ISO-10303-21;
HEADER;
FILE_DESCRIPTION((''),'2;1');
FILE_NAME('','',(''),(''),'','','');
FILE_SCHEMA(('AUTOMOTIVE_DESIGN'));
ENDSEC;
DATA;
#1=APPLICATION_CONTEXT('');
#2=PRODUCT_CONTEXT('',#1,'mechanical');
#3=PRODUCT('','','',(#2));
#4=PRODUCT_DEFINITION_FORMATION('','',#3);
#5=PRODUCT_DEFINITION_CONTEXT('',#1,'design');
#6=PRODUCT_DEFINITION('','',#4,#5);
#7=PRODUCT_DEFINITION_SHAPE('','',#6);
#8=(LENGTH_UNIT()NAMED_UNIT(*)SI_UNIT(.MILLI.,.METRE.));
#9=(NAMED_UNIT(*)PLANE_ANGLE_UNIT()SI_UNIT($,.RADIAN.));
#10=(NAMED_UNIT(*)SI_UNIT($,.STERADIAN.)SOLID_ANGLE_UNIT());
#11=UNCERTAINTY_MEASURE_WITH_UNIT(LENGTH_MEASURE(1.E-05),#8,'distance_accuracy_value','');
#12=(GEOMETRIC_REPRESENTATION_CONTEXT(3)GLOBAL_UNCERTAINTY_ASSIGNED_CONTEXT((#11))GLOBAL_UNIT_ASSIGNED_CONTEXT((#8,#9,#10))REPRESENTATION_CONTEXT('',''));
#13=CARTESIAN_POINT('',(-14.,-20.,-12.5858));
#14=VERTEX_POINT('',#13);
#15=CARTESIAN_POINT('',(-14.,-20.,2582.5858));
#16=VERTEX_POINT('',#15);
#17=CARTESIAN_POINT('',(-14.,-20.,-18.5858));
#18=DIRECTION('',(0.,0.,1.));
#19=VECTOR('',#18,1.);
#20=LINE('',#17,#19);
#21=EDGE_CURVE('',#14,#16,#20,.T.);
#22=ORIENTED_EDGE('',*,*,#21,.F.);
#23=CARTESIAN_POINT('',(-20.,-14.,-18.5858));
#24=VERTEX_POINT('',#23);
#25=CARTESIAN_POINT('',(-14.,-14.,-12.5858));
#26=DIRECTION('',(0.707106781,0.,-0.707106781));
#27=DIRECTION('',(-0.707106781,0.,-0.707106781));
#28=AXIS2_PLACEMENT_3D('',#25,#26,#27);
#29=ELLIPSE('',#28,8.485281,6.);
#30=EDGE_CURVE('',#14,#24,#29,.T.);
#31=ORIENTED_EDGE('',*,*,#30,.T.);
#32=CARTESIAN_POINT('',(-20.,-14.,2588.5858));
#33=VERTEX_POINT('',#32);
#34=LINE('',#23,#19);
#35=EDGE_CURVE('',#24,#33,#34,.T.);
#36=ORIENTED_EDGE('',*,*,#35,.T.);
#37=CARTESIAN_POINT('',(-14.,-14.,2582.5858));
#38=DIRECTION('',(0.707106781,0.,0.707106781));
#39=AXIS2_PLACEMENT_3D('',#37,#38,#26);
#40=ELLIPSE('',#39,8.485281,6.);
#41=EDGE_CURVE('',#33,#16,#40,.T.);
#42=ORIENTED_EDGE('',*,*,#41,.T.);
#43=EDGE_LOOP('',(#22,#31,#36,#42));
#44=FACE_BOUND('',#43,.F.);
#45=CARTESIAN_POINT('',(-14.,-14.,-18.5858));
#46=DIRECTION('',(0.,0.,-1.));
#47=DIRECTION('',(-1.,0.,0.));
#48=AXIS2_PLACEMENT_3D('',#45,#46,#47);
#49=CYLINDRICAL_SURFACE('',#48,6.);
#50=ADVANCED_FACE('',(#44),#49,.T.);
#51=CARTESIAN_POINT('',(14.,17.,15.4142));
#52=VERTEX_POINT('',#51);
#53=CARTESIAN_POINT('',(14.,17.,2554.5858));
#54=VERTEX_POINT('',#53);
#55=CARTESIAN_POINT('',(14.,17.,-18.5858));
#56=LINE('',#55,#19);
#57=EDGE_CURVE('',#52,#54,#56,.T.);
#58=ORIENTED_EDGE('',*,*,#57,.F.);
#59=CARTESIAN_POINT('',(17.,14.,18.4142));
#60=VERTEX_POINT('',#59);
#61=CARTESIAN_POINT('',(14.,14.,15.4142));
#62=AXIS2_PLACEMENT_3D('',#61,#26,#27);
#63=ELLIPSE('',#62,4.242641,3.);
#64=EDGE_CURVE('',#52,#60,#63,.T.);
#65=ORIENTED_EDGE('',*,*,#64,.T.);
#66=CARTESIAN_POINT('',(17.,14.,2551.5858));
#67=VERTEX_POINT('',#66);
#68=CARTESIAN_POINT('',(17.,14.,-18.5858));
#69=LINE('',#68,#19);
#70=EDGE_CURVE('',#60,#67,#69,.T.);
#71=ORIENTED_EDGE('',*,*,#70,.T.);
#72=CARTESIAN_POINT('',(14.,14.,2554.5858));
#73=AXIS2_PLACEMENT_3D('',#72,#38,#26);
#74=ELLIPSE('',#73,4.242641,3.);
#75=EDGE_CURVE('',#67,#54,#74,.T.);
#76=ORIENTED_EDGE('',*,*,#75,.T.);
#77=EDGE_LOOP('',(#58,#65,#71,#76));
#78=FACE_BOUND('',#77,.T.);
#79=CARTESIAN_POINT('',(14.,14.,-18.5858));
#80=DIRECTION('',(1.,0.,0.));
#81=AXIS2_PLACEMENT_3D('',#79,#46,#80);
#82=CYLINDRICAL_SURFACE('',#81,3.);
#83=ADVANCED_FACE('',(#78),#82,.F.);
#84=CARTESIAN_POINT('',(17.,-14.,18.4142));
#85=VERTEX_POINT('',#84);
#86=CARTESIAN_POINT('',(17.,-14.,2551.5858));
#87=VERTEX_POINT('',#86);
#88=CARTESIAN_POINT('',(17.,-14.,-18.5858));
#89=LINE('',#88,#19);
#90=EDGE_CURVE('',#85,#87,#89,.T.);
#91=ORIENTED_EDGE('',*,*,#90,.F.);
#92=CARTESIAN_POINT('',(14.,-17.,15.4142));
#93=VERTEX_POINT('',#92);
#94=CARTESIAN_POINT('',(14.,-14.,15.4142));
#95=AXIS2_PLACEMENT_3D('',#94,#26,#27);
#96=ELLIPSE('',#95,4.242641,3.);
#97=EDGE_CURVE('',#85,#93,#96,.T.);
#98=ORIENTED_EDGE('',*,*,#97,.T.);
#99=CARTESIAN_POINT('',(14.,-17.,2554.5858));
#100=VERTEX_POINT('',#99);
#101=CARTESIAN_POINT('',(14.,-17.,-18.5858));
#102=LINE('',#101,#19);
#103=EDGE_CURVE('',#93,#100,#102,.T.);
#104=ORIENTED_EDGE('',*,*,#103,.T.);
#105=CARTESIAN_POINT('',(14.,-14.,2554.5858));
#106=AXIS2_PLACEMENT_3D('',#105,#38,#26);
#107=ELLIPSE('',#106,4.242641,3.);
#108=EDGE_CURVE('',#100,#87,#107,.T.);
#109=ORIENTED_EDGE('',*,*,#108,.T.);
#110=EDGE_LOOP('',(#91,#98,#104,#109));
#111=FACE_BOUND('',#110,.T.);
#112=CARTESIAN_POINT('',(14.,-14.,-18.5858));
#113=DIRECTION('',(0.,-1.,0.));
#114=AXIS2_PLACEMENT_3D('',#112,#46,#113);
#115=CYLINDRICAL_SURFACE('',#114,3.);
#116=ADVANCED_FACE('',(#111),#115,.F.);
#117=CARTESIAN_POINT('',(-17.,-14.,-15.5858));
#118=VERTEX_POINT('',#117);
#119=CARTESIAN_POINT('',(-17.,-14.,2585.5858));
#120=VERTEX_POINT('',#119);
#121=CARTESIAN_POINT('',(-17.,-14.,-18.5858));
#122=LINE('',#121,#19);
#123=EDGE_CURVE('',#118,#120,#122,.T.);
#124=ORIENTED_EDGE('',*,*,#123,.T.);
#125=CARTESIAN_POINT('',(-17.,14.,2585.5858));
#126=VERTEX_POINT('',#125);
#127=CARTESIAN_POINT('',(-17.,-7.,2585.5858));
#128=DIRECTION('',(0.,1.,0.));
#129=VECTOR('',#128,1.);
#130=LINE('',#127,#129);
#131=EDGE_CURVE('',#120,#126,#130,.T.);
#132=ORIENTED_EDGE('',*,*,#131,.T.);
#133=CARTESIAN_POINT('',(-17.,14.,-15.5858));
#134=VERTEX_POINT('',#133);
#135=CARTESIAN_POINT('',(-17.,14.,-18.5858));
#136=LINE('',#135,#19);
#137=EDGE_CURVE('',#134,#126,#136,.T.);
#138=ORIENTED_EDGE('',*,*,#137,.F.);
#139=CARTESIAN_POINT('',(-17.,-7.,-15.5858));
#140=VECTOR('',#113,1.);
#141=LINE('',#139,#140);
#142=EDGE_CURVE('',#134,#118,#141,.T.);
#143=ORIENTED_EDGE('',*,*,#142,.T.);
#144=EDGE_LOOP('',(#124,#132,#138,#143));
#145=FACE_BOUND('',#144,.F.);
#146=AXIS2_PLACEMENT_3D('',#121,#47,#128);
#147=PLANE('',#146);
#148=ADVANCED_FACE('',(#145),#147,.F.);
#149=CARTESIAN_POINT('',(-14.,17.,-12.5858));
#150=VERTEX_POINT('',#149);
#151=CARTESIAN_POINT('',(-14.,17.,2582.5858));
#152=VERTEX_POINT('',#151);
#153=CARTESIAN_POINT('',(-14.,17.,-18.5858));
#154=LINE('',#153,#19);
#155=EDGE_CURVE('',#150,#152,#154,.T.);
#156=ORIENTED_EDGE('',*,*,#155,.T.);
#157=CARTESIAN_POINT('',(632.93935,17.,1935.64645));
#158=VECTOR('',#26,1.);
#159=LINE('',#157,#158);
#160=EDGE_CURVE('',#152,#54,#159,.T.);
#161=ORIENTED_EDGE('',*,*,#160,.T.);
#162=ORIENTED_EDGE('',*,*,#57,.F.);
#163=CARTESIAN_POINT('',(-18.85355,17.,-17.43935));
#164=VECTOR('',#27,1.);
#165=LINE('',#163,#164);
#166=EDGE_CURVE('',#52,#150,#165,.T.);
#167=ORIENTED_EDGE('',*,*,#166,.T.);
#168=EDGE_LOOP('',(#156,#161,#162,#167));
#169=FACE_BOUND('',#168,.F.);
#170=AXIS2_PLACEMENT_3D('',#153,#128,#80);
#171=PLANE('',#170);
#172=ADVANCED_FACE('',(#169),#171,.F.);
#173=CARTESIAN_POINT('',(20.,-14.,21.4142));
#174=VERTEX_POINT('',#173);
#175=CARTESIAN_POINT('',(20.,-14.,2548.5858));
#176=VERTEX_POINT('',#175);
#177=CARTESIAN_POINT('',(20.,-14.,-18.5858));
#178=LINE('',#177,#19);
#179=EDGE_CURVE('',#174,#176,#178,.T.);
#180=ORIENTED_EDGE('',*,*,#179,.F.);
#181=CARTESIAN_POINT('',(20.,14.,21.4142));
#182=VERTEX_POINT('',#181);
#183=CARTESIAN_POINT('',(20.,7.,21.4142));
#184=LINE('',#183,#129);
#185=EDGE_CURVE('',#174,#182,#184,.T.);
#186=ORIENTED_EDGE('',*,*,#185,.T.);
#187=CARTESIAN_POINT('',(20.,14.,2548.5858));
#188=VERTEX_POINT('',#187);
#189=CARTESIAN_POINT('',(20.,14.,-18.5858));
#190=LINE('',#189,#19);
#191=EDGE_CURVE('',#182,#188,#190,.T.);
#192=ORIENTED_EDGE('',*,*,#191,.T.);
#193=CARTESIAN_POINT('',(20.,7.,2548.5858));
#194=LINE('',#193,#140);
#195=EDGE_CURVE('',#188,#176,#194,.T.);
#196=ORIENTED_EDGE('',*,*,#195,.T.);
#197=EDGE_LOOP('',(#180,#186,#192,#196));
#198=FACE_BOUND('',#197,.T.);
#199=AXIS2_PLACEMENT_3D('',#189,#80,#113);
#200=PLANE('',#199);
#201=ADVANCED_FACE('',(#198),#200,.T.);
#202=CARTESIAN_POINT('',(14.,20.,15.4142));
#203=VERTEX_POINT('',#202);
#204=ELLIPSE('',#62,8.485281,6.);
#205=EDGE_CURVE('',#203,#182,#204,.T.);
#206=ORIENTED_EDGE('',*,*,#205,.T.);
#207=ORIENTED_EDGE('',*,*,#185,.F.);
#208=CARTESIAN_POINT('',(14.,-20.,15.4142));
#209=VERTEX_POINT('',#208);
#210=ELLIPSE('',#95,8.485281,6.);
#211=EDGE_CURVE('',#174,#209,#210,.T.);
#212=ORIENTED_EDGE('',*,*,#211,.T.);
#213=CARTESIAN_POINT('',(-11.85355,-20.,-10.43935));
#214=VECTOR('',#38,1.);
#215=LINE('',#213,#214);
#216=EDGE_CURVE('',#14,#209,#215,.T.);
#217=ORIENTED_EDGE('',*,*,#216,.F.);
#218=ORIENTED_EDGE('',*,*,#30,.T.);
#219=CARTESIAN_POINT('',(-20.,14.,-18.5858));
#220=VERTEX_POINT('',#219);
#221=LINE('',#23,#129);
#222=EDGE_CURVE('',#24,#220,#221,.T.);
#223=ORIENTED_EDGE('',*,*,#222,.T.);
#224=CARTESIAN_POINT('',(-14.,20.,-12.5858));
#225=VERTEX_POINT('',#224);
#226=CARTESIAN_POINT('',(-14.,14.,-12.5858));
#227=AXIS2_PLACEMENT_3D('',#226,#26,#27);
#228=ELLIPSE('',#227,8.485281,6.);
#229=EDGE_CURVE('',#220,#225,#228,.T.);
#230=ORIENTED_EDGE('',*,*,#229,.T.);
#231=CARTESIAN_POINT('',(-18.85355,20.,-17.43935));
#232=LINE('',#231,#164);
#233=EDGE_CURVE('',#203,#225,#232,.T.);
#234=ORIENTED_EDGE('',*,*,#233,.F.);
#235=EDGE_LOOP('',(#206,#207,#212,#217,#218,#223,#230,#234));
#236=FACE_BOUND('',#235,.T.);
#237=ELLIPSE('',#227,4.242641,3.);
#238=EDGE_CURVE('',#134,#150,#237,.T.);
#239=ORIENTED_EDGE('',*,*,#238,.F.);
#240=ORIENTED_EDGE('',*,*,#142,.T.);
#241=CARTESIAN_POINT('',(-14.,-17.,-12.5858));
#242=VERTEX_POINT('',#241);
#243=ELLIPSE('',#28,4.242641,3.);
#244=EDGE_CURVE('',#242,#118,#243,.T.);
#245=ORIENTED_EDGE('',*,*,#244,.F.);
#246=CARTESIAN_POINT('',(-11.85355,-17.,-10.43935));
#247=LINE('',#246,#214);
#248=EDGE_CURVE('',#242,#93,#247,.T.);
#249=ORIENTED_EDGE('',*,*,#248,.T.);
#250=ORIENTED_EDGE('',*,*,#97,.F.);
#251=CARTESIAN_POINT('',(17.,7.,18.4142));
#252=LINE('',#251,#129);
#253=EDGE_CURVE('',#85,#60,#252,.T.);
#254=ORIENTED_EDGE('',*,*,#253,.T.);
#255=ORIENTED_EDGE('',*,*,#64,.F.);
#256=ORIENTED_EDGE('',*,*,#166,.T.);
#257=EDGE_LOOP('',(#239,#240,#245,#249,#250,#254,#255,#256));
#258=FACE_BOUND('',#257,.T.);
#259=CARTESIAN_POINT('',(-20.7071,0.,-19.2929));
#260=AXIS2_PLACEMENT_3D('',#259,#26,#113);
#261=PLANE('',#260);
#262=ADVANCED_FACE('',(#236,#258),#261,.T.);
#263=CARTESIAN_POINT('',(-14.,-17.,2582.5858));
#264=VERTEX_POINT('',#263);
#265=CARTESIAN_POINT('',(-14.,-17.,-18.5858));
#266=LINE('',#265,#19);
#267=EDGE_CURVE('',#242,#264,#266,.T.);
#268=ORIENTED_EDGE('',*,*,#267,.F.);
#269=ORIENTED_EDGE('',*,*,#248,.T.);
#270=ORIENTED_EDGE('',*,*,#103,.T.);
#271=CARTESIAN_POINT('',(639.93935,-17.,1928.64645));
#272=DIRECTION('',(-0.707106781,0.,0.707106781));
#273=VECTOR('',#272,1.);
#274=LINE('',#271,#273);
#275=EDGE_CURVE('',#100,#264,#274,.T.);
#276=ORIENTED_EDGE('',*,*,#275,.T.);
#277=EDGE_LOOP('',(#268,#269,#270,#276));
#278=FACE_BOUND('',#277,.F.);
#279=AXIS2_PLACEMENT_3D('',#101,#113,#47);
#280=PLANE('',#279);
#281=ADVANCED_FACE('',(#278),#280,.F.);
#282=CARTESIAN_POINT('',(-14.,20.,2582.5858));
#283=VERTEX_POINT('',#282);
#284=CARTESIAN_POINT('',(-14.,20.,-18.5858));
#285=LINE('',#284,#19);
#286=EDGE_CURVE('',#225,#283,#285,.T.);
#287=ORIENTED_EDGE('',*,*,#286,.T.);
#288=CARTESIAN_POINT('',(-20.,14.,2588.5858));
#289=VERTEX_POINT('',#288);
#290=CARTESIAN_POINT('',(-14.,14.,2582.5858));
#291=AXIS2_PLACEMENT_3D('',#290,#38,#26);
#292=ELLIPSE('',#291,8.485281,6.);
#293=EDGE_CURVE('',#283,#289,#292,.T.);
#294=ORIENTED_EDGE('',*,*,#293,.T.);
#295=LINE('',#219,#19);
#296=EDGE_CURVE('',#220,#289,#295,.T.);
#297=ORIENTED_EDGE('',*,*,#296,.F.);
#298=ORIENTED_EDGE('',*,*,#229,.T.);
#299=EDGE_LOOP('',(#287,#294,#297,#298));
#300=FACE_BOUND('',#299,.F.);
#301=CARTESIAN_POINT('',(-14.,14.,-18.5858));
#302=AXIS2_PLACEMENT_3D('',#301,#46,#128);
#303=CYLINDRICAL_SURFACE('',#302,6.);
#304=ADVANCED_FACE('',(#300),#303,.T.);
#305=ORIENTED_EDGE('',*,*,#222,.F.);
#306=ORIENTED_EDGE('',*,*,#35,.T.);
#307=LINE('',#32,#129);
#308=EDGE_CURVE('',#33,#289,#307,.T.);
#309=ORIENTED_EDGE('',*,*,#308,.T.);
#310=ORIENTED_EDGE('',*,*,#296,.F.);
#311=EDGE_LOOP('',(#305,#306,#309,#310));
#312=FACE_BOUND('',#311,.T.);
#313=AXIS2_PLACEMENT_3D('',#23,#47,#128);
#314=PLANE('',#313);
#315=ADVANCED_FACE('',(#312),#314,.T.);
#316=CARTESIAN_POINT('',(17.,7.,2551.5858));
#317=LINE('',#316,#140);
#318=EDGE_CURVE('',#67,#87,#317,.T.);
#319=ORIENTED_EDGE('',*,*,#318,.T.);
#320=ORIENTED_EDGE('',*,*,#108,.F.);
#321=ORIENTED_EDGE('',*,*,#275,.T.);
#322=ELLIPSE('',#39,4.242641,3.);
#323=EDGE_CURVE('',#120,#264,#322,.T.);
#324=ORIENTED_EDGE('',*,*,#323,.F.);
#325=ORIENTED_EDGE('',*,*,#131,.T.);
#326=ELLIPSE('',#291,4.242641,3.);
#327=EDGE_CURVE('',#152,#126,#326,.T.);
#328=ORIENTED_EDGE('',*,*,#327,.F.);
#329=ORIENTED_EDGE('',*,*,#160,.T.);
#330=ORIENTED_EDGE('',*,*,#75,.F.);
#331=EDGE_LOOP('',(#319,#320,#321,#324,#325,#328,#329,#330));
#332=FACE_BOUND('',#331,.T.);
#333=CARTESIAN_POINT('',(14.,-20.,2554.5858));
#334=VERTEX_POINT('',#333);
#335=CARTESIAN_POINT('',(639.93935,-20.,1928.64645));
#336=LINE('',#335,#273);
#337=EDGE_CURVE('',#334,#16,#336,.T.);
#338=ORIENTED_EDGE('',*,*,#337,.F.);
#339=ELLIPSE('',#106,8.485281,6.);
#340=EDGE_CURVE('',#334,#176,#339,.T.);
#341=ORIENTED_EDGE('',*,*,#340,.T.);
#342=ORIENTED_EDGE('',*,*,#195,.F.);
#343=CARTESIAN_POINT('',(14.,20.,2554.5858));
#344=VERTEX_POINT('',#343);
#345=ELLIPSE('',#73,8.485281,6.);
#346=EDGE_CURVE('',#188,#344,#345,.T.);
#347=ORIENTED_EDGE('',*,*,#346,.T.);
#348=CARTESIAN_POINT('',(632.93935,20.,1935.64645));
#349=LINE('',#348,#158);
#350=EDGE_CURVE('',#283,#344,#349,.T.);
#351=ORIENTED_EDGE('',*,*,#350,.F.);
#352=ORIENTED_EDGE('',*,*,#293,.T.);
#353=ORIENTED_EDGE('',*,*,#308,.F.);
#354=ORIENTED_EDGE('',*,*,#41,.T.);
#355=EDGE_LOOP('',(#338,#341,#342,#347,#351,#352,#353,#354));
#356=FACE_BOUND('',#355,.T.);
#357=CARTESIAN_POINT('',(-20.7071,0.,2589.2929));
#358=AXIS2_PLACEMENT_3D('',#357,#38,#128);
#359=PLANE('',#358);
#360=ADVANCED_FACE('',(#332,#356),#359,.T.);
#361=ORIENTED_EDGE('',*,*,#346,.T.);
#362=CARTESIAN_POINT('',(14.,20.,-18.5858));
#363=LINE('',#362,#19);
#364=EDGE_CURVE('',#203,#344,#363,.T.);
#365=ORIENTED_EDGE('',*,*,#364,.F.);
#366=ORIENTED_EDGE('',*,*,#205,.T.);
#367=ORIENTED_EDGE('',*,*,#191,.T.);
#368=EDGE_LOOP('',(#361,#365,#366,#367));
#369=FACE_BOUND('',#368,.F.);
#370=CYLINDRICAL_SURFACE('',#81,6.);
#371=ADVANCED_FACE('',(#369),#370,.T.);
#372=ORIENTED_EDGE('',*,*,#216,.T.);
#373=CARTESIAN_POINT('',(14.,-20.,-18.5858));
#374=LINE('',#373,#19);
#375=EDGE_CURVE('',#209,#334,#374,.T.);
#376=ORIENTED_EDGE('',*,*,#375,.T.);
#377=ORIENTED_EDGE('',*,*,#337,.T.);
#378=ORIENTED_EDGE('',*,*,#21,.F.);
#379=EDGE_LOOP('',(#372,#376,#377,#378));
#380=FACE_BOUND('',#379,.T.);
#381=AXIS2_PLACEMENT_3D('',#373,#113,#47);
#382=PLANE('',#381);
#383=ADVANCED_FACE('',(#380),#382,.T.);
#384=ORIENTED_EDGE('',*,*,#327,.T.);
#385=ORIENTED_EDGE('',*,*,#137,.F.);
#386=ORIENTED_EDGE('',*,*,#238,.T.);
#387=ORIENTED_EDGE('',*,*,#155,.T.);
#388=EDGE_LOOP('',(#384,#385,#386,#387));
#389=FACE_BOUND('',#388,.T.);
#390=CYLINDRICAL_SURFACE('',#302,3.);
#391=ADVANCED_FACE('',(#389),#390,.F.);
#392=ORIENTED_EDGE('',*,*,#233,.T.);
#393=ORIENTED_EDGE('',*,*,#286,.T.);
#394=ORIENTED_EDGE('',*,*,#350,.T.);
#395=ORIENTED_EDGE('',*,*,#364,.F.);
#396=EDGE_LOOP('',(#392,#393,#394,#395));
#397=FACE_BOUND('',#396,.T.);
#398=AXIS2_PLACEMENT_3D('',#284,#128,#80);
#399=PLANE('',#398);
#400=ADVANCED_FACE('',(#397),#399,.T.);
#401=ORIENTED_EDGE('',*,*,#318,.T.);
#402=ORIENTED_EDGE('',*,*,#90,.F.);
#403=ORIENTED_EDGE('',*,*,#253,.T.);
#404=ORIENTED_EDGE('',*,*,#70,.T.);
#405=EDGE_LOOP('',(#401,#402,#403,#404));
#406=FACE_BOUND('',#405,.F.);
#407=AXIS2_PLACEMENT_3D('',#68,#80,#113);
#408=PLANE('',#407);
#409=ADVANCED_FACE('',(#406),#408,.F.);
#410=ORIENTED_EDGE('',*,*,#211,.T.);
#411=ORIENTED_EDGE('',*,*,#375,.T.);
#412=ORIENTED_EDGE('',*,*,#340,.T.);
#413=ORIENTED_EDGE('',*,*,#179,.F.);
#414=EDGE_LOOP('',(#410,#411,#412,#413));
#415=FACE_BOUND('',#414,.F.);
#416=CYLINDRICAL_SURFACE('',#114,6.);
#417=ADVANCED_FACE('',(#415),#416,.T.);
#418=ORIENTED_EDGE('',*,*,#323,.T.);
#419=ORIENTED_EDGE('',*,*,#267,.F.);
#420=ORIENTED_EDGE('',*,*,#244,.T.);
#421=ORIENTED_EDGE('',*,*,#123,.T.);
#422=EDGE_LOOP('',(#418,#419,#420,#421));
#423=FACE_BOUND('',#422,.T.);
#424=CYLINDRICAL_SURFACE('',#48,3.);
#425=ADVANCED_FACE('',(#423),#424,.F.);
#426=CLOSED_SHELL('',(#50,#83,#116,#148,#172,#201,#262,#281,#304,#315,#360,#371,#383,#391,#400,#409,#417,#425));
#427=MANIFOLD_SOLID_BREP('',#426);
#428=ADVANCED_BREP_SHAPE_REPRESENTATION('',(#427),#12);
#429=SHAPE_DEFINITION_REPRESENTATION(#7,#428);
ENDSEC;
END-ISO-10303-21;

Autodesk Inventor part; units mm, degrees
ref_plane "Start Plane" through (0, 0, -18.5858) normal (0, 0, 1) x (1, 0, 0)
ref_plane "End Plane" through (0, 0, 2588.5858) normal (0, 0, 1) x (1, 0, 0)
sketch "Sketch" plane through (0, 0, 0) normal (0, 0, 1) x (1, 0, 0)
  line L0 (-20, -14) -> (-20, 14)
  line L1 (-14, 20) -> (14, 20)
  line L2 (20, 14) -> (20, -14)
  line L3 (14, -20) -> (-14, -20)
  arc A0 (-20, -14) -> (-14, -20) centre (-14, -14) ccw
  arc A1 (20, 14) -> (14, 20) centre (14, 14) ccw
  arc A2 (-14, 20) -> (-20, 14) centre (-14, 14) ccw
  arc A3 (14, -20) -> (20, -14) centre (14, -14) ccw
  arc A4 (-14, 17) -> (-17, 14) centre (-14, 14) ccw
  line L4 (-14, 17) -> (14, 17)
  arc A5 (17, 14) -> (14, 17) centre (14, 14) ccw
  line L5 (17, 14) -> (17, -14)
  arc A6 (14, -17) -> (17, -14) centre (14, -14) ccw
  line L6 (14, -17) -> (-14, -17)
  arc A7 (-17, -14) -> (-14, -17) centre (-14, -14) ccw
  line L7 (-17, -14) -> (-17, 14)
  line L8 (0, 29.7397) -> (0, -29.7397) construction
  line L9 (-29.7397, 0) -> (29.7397, 0) construction
  dimension "d7" = 6
  dimension "d9" = 40
  dimension "d11" = 40
  dimension "d12" = 3
  dimension "d15" = 20
  dimension "d16" = 20
extrude "Body" add sketch "Sketch" along normal up to surface (2607.1716 mm away) from surface at -18.5858
sketch "Sketch3" plane through (0, 0, 0) normal (0, 0, 1) x (1, 0, 0)
  line L0 (0, 0) -> (10, 0)
ref_plane "Work Plane3" through (0, 0, 0) normal (0, -1, 0) x (1, 0, 0)
ref_plane "Work Plane4" through (-20.7071, 0, 2589.2929) normal (0.7071, 0, 0.7071) x (0.7071, 0, -0.7071)
split "Split1" plane through (-20.7071, 0, 2589.2929) removes the side toward (0.7071, 0, 0.7071)
ref_plane "Work Plane5" through (-20.7071, 0, -19.2929) normal (0.7071, 0, -0.7071) x (-0.7071, 0, -0.7071)
split "Split2" plane through (-20.7071, 0, -19.2929) removes the side toward (0.7071, 0, -0.7071)
sketch "Sketch4" plane through (0, 0, 0) normal (0, -1, 0) x (1, 0, 0)
  line L0 (-2, -18.5858) -> (12, -18.5858) projected
  line L1 (-2, 2588.5858) -> (12, 2588.5858) projected
  dimension "d18" = 2607.1716
equation "\"d7\" = G_IR"
equation "\"d9\" = G_W"
equation "\"d11\" = G_H"
equation "\"d12\" = G_T"
equation "\"d15\" = 0.5 * d9"
equation "\"d16\" = 0.5 * d11"
equation "\"d3\" = G_L"
equation "\"G_W\" = 40"
equation "\"G_H\" = 40"
equation "\"G_T\" = 3"
equation "\"G_IR\" = 6"
equation "\"G_L\" = d18"
equation "\"G_OFFSET_START\" = 18.58579"
equation "\"G_OFFSET_END\" = 18.58579"
equation "\"d13\" = -G_OFFSET_START"
equation "\"d14\" = G_OFFSET_END + B_L"
equation "\"B_L\" = 2570"
properties part number "ISO 10799-2 - 40x40x3 - 2607,17" material "Steel, Mild"
